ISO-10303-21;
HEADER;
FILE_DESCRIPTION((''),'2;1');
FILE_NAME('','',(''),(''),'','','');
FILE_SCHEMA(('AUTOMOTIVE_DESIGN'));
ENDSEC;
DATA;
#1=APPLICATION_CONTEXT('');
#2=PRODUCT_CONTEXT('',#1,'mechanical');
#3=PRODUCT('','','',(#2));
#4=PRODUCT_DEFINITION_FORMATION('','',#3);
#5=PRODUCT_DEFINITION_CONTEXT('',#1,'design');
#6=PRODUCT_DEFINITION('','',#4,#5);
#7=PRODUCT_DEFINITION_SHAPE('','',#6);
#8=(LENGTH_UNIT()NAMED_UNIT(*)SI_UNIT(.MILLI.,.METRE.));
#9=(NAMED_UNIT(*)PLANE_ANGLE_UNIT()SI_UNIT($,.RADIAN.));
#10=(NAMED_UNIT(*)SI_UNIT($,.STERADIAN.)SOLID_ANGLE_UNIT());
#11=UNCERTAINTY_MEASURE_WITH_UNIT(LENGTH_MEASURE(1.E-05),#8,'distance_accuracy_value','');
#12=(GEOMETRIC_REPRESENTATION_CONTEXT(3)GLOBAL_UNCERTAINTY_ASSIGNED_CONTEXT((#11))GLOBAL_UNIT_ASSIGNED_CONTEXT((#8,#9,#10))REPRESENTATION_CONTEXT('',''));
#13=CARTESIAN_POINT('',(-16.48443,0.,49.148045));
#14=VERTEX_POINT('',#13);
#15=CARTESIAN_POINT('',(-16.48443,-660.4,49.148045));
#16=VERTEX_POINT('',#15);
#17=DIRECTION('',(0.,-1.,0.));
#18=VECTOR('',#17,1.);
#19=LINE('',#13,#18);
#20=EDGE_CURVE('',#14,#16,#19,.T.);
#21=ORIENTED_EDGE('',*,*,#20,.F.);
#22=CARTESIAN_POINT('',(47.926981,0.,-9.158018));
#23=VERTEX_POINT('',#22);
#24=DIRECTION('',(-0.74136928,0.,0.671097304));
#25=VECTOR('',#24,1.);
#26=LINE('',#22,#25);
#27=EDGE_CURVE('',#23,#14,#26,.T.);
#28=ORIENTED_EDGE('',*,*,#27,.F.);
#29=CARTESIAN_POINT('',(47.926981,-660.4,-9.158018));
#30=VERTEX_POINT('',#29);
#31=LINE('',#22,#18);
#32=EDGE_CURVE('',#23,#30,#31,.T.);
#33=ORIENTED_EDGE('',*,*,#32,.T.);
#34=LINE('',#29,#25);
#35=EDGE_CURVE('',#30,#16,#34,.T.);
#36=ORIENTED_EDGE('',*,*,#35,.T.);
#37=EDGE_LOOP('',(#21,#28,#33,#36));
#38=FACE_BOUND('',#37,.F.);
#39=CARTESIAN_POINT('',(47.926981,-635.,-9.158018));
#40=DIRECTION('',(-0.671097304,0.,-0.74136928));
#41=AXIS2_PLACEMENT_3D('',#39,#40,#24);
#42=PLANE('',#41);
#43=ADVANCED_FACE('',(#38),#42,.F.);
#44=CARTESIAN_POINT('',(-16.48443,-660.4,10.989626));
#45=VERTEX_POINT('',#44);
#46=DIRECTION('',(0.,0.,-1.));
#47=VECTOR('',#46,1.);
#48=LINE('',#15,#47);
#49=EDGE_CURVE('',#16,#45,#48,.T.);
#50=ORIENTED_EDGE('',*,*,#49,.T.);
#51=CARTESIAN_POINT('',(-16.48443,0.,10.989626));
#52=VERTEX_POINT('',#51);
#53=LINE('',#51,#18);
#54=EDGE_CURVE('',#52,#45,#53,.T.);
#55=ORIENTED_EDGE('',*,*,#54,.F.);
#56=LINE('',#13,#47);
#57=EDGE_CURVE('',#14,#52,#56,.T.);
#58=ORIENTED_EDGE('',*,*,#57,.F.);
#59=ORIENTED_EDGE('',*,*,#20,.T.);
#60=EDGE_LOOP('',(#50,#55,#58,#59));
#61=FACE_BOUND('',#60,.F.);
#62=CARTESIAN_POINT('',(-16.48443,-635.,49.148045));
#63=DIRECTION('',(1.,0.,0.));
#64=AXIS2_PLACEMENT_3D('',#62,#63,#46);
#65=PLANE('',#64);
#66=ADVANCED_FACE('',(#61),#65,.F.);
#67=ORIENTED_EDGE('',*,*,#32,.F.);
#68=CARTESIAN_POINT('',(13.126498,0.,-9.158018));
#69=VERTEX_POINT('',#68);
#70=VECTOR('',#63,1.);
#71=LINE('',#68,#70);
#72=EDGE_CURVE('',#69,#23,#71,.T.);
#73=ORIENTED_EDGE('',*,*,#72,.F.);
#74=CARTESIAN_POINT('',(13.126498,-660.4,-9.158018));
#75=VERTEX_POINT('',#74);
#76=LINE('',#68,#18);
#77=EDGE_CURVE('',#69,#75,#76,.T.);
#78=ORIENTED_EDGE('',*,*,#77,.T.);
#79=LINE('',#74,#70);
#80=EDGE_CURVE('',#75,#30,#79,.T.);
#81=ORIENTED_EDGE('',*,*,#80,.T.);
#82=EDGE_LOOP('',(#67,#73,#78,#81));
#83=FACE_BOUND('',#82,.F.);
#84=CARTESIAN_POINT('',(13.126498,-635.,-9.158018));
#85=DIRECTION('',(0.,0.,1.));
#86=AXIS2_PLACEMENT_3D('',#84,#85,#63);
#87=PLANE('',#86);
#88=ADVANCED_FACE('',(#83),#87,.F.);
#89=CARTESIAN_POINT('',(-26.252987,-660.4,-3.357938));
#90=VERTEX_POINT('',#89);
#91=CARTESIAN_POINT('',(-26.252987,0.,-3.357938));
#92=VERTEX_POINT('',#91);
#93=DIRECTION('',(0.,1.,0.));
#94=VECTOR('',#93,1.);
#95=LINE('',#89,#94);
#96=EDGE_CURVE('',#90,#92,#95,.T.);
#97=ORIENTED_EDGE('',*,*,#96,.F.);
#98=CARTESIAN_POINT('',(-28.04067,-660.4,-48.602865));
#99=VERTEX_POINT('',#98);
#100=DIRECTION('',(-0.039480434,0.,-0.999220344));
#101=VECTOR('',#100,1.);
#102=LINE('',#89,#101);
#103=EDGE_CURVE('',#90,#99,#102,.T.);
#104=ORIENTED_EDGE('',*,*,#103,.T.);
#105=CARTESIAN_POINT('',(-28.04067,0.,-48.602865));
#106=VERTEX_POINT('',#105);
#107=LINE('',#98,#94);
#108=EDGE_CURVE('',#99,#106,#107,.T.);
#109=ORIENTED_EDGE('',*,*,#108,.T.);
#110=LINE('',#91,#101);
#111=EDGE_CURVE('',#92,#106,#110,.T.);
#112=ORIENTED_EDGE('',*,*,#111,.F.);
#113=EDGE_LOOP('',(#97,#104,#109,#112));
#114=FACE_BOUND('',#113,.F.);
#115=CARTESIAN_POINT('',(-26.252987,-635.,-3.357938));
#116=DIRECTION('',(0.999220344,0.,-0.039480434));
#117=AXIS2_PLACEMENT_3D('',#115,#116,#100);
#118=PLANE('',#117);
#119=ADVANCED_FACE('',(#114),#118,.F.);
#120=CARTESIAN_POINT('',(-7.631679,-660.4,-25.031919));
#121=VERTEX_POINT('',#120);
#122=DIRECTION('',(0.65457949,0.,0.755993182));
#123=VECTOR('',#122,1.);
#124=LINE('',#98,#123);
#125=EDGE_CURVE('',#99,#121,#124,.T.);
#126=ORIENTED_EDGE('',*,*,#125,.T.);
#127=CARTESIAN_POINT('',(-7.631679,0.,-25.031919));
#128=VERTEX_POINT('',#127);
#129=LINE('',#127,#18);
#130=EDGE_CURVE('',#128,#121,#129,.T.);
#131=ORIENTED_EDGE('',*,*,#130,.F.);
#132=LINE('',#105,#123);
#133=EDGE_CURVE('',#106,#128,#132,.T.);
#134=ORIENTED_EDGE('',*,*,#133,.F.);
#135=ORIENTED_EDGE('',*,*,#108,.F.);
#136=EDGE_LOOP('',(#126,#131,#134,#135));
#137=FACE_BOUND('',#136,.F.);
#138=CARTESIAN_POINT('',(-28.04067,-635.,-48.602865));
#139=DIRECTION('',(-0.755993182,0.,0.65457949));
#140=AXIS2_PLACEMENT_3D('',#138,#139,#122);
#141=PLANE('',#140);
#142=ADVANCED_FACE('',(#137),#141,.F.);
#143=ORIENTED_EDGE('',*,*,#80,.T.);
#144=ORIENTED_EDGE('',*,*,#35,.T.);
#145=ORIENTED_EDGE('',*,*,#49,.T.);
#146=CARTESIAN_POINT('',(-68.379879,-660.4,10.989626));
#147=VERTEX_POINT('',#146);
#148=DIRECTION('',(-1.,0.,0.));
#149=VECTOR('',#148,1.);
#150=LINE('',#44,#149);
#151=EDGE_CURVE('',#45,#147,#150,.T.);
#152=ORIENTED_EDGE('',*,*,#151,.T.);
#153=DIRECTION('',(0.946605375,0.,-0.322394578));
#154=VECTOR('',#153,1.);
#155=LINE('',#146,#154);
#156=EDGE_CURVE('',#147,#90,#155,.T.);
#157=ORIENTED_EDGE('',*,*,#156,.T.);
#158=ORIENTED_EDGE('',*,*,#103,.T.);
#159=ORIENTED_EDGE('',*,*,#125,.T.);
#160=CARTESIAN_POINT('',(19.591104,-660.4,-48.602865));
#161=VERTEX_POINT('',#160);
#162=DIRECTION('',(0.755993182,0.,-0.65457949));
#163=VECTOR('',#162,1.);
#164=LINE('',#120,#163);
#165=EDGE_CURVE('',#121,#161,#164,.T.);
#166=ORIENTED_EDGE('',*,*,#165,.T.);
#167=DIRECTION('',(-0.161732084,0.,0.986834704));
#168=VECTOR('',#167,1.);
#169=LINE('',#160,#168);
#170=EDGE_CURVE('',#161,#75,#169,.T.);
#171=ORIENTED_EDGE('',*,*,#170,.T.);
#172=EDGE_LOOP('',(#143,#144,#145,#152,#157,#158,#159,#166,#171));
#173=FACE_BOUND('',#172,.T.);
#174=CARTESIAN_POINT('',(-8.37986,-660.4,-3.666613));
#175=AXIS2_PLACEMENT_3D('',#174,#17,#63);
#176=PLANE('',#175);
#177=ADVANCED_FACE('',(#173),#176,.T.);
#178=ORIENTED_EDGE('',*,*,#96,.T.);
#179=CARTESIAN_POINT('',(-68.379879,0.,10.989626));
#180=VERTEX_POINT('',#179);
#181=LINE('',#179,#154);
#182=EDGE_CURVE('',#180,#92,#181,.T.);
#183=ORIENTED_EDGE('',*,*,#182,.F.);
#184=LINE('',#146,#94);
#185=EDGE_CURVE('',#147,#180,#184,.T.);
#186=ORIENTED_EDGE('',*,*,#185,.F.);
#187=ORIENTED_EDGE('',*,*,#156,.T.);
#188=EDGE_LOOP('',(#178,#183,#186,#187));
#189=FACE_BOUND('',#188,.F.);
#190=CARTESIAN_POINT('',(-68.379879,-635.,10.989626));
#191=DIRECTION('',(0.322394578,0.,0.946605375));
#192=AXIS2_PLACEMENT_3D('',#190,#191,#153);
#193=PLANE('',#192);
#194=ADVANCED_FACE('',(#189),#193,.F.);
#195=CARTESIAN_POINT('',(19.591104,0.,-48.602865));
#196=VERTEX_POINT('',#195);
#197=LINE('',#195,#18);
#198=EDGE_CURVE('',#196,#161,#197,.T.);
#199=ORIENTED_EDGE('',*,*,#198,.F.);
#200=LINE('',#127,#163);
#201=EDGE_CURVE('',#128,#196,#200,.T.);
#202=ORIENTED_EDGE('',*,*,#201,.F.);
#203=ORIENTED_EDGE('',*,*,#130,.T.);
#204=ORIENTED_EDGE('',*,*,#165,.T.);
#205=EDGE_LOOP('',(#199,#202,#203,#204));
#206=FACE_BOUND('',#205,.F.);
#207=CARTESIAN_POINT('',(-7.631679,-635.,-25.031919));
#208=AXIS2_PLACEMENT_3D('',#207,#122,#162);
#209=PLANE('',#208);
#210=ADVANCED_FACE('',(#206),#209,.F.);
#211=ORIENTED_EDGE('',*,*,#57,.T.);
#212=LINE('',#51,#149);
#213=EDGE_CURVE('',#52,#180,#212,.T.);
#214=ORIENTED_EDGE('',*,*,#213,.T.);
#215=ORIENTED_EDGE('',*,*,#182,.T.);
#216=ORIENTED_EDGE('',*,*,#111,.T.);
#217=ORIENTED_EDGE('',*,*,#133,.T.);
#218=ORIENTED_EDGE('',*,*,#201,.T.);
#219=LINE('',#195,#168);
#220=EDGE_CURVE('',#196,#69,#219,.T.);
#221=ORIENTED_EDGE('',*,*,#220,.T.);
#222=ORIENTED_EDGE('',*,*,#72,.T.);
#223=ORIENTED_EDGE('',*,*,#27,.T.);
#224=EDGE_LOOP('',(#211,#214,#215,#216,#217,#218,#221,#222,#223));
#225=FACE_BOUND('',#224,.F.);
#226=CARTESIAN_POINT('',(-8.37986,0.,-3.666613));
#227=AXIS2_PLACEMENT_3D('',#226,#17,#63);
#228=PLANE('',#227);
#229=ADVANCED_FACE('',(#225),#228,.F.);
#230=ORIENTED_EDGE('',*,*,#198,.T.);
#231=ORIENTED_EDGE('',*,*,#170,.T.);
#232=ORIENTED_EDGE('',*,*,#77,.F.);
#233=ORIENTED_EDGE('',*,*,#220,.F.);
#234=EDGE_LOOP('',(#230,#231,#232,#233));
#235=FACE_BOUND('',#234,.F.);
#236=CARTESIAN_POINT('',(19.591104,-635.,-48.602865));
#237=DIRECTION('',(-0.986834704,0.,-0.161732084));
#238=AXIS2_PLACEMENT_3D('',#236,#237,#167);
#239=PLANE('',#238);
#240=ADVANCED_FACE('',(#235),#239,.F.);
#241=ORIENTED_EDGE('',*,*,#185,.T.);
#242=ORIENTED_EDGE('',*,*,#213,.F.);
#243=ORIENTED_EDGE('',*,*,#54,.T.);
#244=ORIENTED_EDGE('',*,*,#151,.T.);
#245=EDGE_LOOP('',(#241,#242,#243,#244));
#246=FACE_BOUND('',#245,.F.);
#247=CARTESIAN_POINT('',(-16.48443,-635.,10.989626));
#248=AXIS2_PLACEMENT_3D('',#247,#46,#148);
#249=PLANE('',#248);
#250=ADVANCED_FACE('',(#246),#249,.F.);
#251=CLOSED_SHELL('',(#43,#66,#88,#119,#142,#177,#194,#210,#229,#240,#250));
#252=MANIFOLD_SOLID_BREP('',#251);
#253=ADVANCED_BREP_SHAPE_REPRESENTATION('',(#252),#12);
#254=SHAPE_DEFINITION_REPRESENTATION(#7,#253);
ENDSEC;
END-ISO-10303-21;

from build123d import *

# Parameters (mm, degrees)
F1_DEPTH = 25.4
F2_DEPTH = 609.6
F3_DEPTH = 25.4


with BuildPart() as f1:
    # F0 (on Front) → F1 (new body)
    with BuildSketch(Plane.XZ):
        Polygon((-28.0406700106, -48.6028654858), (-7.6316785999, -25.0319186598), (19.5911039028, -48.6028654858), (13.1264980882, -9.1580180451), (47.9269810021, -9.1580180451), (-16.4844300598, 49.1480454803), (-16.4844300598, 10.9896259382), (-68.3798789978, 10.9896259382), (-26.2529868633, -3.3579384908), align=None)
    extrude(amount=F1_DEPTH)

    # F2 (add): a face of the model
    f2_faces = [f1.faces().sort_by_distance(p)[0] for p in [
        (-3.7729101516, -25.4, -1.8402904119),
    ]]
    extrude(f2_faces, amount=F2_DEPTH)

    # F3 (add): a face of the model
    f3_faces = [f1.faces().sort_by_distance(p)[0] for p in [
        (-3.7729101516, -635, -1.8402904119),
    ]]
    extrude(f3_faces, amount=F3_DEPTH)


solid = f1.part
